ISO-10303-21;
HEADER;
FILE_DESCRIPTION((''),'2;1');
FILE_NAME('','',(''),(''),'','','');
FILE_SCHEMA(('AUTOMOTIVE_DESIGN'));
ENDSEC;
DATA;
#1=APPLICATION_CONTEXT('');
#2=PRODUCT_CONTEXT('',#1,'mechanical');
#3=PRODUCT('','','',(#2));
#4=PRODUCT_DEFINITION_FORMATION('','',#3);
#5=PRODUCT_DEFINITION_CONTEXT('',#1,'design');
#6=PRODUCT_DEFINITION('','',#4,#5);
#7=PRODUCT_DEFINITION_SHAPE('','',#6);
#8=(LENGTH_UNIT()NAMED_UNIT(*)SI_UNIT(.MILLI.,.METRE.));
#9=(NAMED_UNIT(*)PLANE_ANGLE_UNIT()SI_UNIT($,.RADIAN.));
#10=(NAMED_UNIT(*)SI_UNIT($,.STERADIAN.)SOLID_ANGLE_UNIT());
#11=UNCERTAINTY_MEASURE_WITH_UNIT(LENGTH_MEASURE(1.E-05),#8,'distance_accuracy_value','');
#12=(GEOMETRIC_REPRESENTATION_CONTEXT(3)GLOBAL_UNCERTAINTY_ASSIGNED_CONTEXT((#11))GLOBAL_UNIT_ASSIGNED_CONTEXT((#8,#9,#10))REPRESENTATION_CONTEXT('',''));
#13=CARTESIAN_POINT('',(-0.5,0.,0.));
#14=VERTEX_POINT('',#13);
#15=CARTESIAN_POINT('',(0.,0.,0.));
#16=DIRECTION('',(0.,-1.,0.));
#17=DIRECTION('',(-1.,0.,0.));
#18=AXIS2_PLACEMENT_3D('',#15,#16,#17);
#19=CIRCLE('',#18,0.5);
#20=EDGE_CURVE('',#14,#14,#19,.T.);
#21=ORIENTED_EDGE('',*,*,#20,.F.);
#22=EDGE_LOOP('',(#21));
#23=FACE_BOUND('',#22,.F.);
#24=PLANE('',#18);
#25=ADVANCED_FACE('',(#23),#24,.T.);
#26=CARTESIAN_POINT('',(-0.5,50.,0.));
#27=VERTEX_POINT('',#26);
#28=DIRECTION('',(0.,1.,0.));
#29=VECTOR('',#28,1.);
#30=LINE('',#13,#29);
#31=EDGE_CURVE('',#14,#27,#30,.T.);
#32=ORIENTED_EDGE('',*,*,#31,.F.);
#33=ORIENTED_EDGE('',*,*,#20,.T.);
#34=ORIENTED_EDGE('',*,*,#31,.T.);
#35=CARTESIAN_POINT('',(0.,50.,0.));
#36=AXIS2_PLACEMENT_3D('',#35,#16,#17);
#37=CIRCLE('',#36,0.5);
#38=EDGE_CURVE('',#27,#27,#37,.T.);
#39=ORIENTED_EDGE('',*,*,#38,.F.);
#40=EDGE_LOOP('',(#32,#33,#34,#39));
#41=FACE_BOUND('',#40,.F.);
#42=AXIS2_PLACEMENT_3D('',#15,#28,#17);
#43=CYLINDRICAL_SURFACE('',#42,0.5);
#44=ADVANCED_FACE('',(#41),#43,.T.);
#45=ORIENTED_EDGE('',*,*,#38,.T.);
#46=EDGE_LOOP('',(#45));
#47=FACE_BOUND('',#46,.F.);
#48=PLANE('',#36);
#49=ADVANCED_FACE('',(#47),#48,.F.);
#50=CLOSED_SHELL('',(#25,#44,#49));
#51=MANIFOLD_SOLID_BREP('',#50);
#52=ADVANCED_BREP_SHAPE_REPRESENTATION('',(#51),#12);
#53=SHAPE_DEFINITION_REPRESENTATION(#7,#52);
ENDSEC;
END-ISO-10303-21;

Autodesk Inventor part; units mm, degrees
ref_plane "YZ Plane" through (0, 0, 0) normal (1, 0, 0) x (0, 1, 0)
ref_plane "XZ Plane" through (0, 0, 0) normal (0, 1, 0) x (-1, 0, 0)
ref_plane "XY Plane" through (0, 0, 0) normal (0, 0, 1) x (1, 0, 0)
sketch "Sketch1" plane through (0, 0, 0) normal (0, 0, 1) x (1, 0, 0)
  line L0 (0, 0) -> (-0.5, 0)
  line L1 (-0.5, 0) -> (-0.5, 50)
  line L2 (-0.5, 50) -> (0, 50)
  line L3 (0, 50) -> (0, 0)
  dimension "d0" = 0.5
  dimension "d1" = 50
revolve "Revolution1" add sketch "Sketch1" angle 360 about axis through (0, 50, 0) along (0, -1, 0)
properties part number "EpoxyFitThroughKF16_wire" material "Copper"
